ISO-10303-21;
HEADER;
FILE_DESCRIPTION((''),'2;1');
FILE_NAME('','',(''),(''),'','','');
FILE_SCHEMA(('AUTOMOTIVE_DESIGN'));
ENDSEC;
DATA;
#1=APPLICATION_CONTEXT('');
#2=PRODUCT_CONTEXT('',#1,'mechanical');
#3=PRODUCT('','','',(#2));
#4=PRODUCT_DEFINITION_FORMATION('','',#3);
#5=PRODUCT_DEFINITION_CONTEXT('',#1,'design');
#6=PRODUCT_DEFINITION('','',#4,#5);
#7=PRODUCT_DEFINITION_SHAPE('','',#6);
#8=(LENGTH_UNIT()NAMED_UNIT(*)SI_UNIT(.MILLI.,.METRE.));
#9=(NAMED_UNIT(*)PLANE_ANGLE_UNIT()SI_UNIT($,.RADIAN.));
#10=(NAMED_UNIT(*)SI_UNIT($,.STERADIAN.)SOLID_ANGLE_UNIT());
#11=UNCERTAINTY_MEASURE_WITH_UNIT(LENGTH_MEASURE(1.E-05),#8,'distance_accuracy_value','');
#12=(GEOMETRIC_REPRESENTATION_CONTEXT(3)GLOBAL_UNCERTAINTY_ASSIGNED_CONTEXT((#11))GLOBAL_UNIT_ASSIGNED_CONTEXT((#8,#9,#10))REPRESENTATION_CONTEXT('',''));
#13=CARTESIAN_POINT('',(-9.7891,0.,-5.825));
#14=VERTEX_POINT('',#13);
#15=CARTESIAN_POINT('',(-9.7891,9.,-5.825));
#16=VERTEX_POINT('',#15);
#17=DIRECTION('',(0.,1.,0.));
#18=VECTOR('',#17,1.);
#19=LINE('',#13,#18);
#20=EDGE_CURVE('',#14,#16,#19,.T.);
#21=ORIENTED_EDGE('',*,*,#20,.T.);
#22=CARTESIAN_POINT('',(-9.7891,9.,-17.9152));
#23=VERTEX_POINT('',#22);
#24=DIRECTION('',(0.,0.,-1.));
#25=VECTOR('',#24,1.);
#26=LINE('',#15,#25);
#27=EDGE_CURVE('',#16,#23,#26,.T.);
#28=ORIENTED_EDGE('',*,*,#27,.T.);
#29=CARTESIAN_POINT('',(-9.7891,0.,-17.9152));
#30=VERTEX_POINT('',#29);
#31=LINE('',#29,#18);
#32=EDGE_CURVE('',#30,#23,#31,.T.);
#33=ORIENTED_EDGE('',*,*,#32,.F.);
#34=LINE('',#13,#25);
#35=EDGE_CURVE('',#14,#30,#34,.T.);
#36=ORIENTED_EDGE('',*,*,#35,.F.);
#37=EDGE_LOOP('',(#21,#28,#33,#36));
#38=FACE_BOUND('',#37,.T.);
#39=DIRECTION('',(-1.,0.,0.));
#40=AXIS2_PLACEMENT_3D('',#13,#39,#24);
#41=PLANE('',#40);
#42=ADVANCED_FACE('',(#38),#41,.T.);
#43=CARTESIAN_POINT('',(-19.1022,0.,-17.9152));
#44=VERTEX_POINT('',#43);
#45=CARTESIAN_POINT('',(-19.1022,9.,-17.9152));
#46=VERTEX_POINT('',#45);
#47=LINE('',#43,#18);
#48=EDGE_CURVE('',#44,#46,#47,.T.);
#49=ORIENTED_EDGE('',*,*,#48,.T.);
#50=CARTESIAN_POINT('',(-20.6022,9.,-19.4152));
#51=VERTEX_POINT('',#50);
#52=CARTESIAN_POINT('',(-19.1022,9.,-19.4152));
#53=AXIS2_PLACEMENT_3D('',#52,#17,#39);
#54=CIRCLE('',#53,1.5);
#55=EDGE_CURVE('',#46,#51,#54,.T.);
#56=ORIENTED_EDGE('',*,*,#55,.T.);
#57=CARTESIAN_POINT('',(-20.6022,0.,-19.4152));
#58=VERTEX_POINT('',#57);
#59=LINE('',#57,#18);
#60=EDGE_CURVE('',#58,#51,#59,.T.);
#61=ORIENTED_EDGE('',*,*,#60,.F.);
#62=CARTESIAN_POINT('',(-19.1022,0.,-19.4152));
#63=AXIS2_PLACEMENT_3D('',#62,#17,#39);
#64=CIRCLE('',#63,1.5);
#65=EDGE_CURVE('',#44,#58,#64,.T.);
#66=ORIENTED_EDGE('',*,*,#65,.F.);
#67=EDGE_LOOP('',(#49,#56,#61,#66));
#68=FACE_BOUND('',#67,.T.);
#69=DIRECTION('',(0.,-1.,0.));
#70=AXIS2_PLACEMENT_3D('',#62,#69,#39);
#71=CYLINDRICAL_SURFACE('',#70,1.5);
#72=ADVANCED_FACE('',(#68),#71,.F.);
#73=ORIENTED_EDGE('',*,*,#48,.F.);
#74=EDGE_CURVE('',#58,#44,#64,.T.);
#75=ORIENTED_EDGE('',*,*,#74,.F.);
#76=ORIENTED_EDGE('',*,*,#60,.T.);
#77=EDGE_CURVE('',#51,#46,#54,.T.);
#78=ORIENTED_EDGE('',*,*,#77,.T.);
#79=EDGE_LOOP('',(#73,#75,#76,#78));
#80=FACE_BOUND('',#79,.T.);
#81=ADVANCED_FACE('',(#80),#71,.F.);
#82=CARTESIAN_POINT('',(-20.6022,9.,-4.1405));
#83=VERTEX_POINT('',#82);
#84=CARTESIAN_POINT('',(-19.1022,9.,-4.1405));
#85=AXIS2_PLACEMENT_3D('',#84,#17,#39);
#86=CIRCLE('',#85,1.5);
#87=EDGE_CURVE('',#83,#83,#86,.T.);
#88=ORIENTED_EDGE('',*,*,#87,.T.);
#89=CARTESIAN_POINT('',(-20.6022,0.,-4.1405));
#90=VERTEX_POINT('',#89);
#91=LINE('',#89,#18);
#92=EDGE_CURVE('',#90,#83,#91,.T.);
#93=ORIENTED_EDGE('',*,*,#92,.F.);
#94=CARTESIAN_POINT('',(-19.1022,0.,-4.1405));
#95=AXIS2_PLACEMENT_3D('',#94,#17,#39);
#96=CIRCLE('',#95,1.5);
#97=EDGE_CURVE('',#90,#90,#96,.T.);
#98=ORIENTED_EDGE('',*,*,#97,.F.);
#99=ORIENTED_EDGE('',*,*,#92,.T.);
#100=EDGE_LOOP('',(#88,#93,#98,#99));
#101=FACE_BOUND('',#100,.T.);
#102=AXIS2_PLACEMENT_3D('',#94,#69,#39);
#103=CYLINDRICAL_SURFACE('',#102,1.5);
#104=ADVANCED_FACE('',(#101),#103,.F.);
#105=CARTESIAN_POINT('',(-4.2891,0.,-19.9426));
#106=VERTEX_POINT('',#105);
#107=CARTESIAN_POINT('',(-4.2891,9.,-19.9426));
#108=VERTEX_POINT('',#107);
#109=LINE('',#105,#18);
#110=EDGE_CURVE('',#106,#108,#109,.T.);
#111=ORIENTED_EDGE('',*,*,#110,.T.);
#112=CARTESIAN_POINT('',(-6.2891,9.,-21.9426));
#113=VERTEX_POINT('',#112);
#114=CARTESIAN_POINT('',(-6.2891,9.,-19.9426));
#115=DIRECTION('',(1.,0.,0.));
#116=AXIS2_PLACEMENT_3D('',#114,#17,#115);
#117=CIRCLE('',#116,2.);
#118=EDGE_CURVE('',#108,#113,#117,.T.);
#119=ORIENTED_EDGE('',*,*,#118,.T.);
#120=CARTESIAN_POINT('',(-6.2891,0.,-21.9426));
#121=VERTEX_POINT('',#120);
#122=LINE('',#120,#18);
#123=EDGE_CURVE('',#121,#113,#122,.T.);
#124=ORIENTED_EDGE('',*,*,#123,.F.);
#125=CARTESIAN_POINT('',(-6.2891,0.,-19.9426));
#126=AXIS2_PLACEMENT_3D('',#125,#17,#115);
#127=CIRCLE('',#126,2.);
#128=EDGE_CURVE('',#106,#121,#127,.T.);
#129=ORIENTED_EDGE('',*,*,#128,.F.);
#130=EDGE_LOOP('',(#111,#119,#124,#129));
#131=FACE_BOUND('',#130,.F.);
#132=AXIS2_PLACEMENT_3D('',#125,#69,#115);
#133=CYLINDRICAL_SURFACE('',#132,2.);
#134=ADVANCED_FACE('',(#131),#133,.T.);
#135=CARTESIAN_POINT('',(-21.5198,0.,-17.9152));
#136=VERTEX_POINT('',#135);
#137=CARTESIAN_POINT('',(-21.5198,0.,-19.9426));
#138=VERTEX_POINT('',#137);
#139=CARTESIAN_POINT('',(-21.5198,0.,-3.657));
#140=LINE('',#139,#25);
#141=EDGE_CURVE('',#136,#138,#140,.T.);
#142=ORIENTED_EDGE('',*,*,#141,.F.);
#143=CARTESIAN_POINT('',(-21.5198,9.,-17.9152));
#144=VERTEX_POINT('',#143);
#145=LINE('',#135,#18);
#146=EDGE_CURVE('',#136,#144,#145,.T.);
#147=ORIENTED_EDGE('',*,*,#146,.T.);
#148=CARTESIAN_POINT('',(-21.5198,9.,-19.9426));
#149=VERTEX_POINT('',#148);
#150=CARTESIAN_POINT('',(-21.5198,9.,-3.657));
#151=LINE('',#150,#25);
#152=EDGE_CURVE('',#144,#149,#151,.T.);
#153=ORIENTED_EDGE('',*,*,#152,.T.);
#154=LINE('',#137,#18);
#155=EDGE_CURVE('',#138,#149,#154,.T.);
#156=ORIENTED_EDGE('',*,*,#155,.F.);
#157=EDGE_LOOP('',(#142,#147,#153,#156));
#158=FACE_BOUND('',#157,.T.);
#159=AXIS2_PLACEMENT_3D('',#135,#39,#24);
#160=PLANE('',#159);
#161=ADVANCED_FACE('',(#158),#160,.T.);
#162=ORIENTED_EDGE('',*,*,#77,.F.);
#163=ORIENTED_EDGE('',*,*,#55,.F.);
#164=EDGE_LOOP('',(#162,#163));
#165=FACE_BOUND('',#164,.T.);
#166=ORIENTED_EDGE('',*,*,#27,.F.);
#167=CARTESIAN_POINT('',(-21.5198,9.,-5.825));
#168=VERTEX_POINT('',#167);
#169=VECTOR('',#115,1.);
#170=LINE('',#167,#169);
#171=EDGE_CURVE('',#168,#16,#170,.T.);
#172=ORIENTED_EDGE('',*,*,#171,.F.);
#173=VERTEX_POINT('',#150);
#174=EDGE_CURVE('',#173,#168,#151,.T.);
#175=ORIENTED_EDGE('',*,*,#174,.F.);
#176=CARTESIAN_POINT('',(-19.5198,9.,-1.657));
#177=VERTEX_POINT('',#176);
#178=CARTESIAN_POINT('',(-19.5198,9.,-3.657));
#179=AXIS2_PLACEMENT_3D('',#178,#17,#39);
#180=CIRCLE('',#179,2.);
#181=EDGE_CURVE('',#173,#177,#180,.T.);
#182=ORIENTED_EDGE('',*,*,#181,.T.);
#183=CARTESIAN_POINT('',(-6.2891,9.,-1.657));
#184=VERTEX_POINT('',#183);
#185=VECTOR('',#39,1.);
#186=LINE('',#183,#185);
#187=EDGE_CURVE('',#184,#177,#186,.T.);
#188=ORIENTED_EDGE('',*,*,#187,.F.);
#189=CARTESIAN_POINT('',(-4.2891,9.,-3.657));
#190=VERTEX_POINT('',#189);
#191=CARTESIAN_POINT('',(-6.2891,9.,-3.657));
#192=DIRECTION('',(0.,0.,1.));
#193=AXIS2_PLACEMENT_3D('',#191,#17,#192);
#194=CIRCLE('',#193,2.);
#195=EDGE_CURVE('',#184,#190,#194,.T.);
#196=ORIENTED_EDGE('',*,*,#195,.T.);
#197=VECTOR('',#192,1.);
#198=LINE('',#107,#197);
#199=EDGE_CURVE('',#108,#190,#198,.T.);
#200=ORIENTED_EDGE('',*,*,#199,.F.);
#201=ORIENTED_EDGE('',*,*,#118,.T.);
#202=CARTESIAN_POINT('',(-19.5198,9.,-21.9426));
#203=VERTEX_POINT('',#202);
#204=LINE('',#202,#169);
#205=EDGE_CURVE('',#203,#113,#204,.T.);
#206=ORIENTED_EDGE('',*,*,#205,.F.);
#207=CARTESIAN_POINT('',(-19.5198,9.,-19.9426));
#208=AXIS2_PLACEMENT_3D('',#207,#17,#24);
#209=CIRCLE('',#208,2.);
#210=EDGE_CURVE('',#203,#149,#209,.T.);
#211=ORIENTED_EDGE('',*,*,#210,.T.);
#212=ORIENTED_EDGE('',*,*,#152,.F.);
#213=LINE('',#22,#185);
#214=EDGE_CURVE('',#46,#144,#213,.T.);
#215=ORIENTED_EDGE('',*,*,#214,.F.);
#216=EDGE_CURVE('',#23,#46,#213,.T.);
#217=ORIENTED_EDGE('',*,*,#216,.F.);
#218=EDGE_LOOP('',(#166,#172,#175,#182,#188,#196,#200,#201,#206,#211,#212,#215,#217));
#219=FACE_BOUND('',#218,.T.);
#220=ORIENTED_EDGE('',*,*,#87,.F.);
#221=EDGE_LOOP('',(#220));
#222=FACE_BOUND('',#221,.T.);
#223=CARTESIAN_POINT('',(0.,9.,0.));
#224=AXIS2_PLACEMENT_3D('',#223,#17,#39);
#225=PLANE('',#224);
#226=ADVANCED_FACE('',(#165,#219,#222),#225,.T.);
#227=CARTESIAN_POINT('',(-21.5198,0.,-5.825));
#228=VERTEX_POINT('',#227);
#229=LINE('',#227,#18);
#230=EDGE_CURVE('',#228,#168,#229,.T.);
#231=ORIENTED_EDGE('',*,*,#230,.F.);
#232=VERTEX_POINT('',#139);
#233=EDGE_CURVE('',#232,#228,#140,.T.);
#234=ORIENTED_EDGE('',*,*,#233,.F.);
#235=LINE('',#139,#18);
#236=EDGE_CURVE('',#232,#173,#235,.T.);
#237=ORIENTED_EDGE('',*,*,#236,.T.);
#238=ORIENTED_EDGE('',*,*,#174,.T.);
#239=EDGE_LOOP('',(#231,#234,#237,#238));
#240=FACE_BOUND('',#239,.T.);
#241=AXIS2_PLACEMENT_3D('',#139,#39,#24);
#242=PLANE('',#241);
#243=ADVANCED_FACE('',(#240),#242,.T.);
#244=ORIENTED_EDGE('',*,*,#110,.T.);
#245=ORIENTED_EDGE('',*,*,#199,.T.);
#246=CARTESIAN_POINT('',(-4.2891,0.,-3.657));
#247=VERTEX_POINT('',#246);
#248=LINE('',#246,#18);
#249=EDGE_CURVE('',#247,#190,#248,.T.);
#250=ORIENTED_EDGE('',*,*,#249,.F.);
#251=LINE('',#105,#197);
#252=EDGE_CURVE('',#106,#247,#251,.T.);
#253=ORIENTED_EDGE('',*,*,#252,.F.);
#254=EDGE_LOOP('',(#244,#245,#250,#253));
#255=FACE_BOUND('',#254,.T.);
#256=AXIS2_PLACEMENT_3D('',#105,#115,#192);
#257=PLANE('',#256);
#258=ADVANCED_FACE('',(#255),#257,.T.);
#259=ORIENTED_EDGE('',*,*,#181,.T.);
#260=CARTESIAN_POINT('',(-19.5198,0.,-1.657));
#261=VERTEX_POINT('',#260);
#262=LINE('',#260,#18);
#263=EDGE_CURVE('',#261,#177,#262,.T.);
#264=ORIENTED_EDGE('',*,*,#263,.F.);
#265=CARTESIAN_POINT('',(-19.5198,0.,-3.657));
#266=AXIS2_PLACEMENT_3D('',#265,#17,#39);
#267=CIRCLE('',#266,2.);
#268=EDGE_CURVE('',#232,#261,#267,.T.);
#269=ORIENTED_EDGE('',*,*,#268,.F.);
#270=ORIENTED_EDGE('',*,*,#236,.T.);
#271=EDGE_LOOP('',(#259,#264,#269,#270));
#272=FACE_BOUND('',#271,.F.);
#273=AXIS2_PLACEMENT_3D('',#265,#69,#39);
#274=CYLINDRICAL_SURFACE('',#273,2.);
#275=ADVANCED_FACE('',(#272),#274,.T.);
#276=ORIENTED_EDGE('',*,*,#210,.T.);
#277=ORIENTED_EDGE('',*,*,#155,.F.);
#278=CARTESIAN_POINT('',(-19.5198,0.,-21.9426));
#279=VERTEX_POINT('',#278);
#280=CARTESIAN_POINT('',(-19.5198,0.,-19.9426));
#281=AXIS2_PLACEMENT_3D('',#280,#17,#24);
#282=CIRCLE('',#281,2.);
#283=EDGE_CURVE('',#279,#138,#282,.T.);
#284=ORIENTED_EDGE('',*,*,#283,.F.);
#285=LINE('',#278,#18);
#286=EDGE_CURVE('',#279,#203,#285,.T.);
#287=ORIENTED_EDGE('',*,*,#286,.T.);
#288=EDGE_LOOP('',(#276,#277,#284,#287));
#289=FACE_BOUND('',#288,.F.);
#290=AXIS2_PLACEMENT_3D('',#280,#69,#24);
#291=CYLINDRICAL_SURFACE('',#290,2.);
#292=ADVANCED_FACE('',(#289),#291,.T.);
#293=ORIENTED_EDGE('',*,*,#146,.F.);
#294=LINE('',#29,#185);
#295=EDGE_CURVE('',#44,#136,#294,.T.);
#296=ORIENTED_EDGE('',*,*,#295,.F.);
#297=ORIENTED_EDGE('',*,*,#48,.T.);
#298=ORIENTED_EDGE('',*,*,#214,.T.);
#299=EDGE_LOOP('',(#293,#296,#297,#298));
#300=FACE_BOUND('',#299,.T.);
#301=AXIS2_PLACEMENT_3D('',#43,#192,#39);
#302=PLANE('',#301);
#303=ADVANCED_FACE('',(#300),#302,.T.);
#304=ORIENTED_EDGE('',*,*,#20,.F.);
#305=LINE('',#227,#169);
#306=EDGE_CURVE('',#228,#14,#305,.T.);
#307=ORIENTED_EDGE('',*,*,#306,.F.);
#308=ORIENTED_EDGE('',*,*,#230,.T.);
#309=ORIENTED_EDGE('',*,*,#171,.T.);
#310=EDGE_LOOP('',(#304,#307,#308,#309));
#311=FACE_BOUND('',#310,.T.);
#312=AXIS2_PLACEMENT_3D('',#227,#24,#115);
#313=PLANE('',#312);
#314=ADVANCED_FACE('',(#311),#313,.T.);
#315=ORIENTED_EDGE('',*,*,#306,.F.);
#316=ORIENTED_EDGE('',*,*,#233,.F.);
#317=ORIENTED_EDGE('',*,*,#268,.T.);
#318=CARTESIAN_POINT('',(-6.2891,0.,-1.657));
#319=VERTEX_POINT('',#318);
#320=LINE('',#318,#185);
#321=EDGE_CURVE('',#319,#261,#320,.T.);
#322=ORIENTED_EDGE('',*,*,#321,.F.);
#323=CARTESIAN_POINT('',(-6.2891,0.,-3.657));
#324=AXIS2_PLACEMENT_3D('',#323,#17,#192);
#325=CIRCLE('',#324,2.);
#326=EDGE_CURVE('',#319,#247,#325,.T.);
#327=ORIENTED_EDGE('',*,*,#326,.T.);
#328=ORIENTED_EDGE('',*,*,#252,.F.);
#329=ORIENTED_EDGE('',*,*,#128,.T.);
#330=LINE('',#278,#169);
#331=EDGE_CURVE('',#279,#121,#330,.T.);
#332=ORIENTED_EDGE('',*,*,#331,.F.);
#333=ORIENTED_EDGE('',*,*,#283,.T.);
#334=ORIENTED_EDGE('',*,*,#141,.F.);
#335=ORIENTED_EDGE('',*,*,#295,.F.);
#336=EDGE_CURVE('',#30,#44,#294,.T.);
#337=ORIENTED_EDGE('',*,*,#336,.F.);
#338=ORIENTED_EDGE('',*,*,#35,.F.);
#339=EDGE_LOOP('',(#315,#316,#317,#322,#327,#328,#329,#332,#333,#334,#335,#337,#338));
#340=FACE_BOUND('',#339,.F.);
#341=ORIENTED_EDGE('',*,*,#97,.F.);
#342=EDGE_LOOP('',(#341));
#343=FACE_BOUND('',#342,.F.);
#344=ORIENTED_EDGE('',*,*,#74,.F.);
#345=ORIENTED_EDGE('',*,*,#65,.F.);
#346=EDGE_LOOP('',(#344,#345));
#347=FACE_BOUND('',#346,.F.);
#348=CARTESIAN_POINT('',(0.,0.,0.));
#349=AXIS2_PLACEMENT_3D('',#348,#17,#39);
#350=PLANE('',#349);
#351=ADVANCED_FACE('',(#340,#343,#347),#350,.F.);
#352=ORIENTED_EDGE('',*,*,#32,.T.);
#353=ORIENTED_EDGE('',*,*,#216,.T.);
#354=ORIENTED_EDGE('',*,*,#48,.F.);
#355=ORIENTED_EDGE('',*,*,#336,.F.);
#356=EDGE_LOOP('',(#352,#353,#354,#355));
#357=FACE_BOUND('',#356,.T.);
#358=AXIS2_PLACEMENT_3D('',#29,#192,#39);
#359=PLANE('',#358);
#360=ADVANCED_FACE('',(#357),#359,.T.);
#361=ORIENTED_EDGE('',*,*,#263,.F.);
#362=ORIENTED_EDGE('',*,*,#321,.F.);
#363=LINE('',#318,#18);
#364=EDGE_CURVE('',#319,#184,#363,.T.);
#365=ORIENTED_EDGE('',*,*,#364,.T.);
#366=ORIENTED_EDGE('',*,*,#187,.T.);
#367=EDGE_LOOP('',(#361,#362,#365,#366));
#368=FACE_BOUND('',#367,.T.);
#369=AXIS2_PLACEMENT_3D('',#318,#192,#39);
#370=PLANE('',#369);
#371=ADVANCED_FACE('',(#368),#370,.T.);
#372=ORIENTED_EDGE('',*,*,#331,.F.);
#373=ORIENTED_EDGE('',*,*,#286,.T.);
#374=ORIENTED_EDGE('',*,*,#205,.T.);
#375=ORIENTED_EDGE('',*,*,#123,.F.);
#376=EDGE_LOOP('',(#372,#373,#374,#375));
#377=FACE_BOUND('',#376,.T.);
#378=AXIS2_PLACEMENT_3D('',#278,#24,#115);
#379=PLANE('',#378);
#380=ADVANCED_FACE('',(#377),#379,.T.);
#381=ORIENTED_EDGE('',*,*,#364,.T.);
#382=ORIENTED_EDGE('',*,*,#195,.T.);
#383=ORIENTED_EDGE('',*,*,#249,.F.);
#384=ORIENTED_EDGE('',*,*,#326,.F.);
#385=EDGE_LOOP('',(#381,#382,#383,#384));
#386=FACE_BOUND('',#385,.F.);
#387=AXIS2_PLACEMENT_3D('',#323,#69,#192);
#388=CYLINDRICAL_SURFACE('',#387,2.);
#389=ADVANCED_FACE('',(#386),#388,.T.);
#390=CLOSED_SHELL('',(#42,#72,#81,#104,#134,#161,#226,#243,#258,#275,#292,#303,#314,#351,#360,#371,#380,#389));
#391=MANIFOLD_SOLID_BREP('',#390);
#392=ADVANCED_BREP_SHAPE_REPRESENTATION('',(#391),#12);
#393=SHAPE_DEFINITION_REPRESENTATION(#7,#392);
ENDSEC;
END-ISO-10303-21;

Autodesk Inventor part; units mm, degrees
ref_plane "YZ Plane" through (0, 0, 0) normal (1, 0, 0) x (0, 1, 0)
ref_plane "XZ Plane" through (0, 0, 0) normal (0, 1, 0) x (-1, 0, 0)
ref_plane "XY Plane" through (0, 0, 0) normal (0, 0, 1) x (1, 0, 0)
sketch "Sketch1" plane through (0, 0, 0) normal (0, 1, 0) x (-1, 0, 0)
  spline S0 degree 3 poles (19.0088, -20.3781) (18.4587, -20.3781) (18.0142, -19.9334) (18.0142, -19.3832) (18.0142, -18.833) (18.4587, -18.3883) (19.0088, -18.3883) (19.5594, -18.3883) (20.0038, -18.833) (20.0038, -19.3832) (20.0038, -19.9334) (19.5594, -20.3781) (19.0088, -20.3781) knots 0 0 0 0 1 1 1 2 2 2 3 3 3 4 4 4 4
  line L0 (19.0088, -20.3781) -> (18.4587, -20.3781) construction
  line L1 (18.4587, -20.3781) -> (18.0142, -19.9334) construction
  line L2 (18.0142, -19.9334) -> (18.0142, -19.3832) construction
  line L3 (18.0142, -19.3832) -> (18.0142, -18.833) construction
  line L4 (18.0142, -18.833) -> (18.4587, -18.3883) construction
  line L5 (18.4587, -18.3883) -> (19.0088, -18.3883) construction
  line L6 (19.0088, -18.3883) -> (19.5594, -18.3883) construction
  line L7 (19.5594, -18.3883) -> (20.0038, -18.833) construction
  line L8 (20.0038, -18.833) -> (20.0038, -19.3832) construction
  line L9 (20.0038, -19.3832) -> (20.0038, -19.9334) construction
  line L10 (20.0038, -19.9334) -> (19.5594, -20.3781) construction
  line L11 (19.5594, -20.3781) -> (19.0088, -20.3781) construction
  spline S1 degree 3 poles (19.0088, -20.3781) (18.4587, -20.3781) (18.0142, -19.9334) (18.0142, -19.3832) (18.0142, -18.833) (18.4587, -18.3883) (19.0088, -18.3883) (19.5594, -18.3883) (20.0038, -18.833) (20.0038, -19.3832) (20.0038, -19.9334) (19.5594, -20.3781) (19.0088, -20.3781) knots 0 0 0 0 1 1 1 2 2 2 3 3 3 4 4 4 4
  line L12 (19.0088, -20.3781) -> (18.4587, -20.3781) construction
  line L13 (18.4587, -20.3781) -> (18.0142, -19.9334) construction
  line L14 (18.0142, -19.9334) -> (18.0142, -19.3832) construction
  line L15 (18.0142, -19.3832) -> (18.0142, -18.833) construction
  line L16 (18.0142, -18.833) -> (18.4587, -18.3883) construction
  line L17 (18.4587, -18.3883) -> (19.0088, -18.3883) construction
  line L18 (19.0088, -18.3883) -> (19.5594, -18.3883) construction
  line L19 (19.5594, -18.3883) -> (20.0038, -18.833) construction
  line L20 (20.0038, -18.833) -> (20.0038, -19.3832) construction
  line L21 (20.0038, -19.3832) -> (20.0038, -19.9334) construction
  line L22 (20.0038, -19.9334) -> (19.5594, -20.3781) construction
  line L23 (19.5594, -20.3781) -> (19.0088, -20.3781) construction
  spline S2 degree 3 poles (19.0088, -5.1804) (18.4587, -5.1804) (18.0142, -4.7359) (18.0142, -4.1855) (18.0142, -3.6352) (18.4587, -3.1907) (19.0088, -3.1907) (19.5594, -3.1907) (20.0038, -3.6352) (20.0038, -4.1855) (20.0038, -4.7359) (19.5594, -5.1804) (19.0088, -5.1804) knots 0 0 0 0 1 1 1 2 2 2 3 3 3 4 4 4 4
  line L24 (19.0088, -5.1804) -> (18.4587, -5.1804) construction
  line L25 (18.4587, -5.1804) -> (18.0142, -4.7359) construction
  line L26 (18.0142, -4.7359) -> (18.0142, -4.1855) construction
  line L27 (18.0142, -4.1855) -> (18.0142, -3.6352) construction
  line L28 (18.0142, -3.6352) -> (18.4587, -3.1907) construction
  line L29 (18.4587, -3.1907) -> (19.0088, -3.1907) construction
  line L30 (19.0088, -3.1907) -> (19.5594, -3.1907) construction
  line L31 (19.5594, -3.1907) -> (20.0038, -3.6352) construction
  line L32 (20.0038, -3.6352) -> (20.0038, -4.1855) construction
  line L33 (20.0038, -4.1855) -> (20.0038, -4.7359) construction
  line L34 (20.0038, -4.7359) -> (19.5594, -5.1804) construction
  line L35 (19.5594, -5.1804) -> (19.0088, -5.1804) construction
  spline S3 degree 3 poles (19.0088, -5.1804) (18.4587, -5.1804) (18.0142, -4.7359) (18.0142, -4.1855) (18.0142, -3.6352) (18.4587, -3.1907) (19.0088, -3.1907) (19.5594, -3.1907) (20.0038, -3.6352) (20.0038, -4.1855) (20.0038, -4.7359) (19.5594, -5.1804) (19.0088, -5.1804) knots 0 0 0 0 1 1 1 2 2 2 3 3 3 4 4 4 4
  line L36 (19.0088, -5.1804) -> (18.4587, -5.1804) construction
  line L37 (18.4587, -5.1804) -> (18.0142, -4.7359) construction
  line L38 (18.0142, -4.7359) -> (18.0142, -4.1855) construction
  line L39 (18.0142, -4.1855) -> (18.0142, -3.6352) construction
  line L40 (18.0142, -3.6352) -> (18.4587, -3.1907) construction
  line L41 (18.4587, -3.1907) -> (19.0088, -3.1907) construction
  line L42 (19.0088, -3.1907) -> (19.5594, -3.1907) construction
  line L43 (19.5594, -3.1907) -> (20.0038, -3.6352) construction
  line L44 (20.0038, -3.6352) -> (20.0038, -4.1855) construction
  line L45 (20.0038, -4.1855) -> (20.0038, -4.7359) construction
  line L46 (20.0038, -4.7359) -> (19.5594, -5.1804) construction
  line L47 (19.5594, -5.1804) -> (19.0088, -5.1804) construction
  line L48 (19.0302, -21.9233) -> (19.4746, -21.9019)
  spline S4 degree 3 poles (19.4746, -21.9019) (20.5647, -21.6366) (21.3157, -20.9538) (21.5279, -19.8276) knots 1 1 1 1 2 2 2 2
  line L49 (19.4746, -21.9019) -> (20.5647, -21.6366) construction
  line L50 (20.5647, -21.6366) -> (21.3157, -20.9538) construction
  line L51 (21.3157, -20.9538) -> (21.5279, -19.8276) construction
  line L52 (21.5279, -19.8276) -> (21.5703, -19.4042)
  line L53 (21.5703, -19.4042) -> (21.5703, -4.1855)
  line L54 (21.5703, -4.1855) -> (21.5279, -3.7411)
  spline S5 degree 3 poles (21.5279, -3.7411) (21.3143, -2.6778) (20.5474, -1.8728) (19.4746, -1.6878) knots 5 5 5 5 6 6 6 6
  line L55 (21.5279, -3.7411) -> (21.3143, -2.6778) construction
  line L56 (21.3143, -2.6778) -> (20.5474, -1.8728) construction
  line L57 (20.5474, -1.8728) -> (19.4746, -1.6878) construction
  line L58 (19.4746, -1.6878) -> (19.0302, -1.6456)
  line L59 (19.0302, -1.6456) -> (3.8115, -1.6456)
  line L60 (3.8115, -1.6456) -> (3.3881, -1.6878)
  spline S6 degree 3 poles (3.3881, -1.6878) (2.3177, -1.8298) (1.536, -2.7195) (1.3138, -3.7411) knots 9 9 9 9 10 10 10 10
  line L61 (3.3881, -1.6878) -> (2.3177, -1.8298) construction
  line L62 (2.3177, -1.8298) -> (1.536, -2.7195) construction
  line L63 (1.536, -2.7195) -> (1.3138, -3.7411) construction
  line L64 (1.3138, -3.7411) -> (1.2924, -4.1855)
  line L65 (1.2924, -4.1855) -> (1.2924, -19.4042)
  line L66 (1.2924, -19.4042) -> (1.3138, -19.8276)
  spline S7 degree 3 poles (1.3138, -19.8276) (1.5308, -20.908) (2.308, -21.6852) (3.3881, -21.9019) knots 13 13 13 13 14 14 14 14
  line L67 (1.3138, -19.8276) -> (1.5308, -20.908) construction
  line L68 (1.5308, -20.908) -> (2.308, -21.6852) construction
  line L69 (2.308, -21.6852) -> (3.3881, -21.9019) construction
  line L70 (3.3881, -21.9019) -> (3.8115, -21.9233)
  line L71 (3.8115, -21.9233) -> (19.0302, -21.9233)
  point P0 (0, 0)
sketch "Sketch2" plane through (0, 0, 0) normal (0, 1, 0) x (-1, 0, 0)
  line L0 (19.5198, -21.9426) -> (6.2891, -21.9426)
  line L1 (4.2891, -19.9426) -> (4.2891, -3.657)
  line L2 (6.2891, -1.657) -> (19.5198, -1.657)
  line L3 (21.5198, -3.657) -> (21.5198, -19.9426)
  arc A0 (21.5198, -3.657) -> (19.5198, -1.657) centre (19.5198, -3.657) ccw
  arc A1 (19.5198, -21.9426) -> (21.5198, -19.9426) centre (19.5198, -19.9426) ccw
  arc A2 (4.2891, -19.9426) -> (6.2891, -21.9426) centre (6.2891, -19.9426) ccw
  arc A3 (6.2891, -1.657) -> (4.2891, -3.657) centre (6.2891, -3.657) ccw
  circle A4 centre (19.1022, -4.1405) radius 1.5
  circle A5 centre (19.1022, -19.4152) radius 1.5
  line L4 (21.5198, -5.825) -> (9.7891, -5.825)
  line L5 (9.7891, -5.825) -> (9.7891, -17.9152)
  line L6 (9.7891, -17.9152) -> (21.5198, -17.9152)
  point P0 (0, 0)
  dimension "d0" = 2
  dimension "d1" = 3
  dimension "d2" = 3
extrude "Extrusion1" add sketch "Sketch2" along normal blind 9 contours L0 A2 L1 A3 L2 A0 L3 L4 L5 L6 A1
properties part number "thermo-model"
